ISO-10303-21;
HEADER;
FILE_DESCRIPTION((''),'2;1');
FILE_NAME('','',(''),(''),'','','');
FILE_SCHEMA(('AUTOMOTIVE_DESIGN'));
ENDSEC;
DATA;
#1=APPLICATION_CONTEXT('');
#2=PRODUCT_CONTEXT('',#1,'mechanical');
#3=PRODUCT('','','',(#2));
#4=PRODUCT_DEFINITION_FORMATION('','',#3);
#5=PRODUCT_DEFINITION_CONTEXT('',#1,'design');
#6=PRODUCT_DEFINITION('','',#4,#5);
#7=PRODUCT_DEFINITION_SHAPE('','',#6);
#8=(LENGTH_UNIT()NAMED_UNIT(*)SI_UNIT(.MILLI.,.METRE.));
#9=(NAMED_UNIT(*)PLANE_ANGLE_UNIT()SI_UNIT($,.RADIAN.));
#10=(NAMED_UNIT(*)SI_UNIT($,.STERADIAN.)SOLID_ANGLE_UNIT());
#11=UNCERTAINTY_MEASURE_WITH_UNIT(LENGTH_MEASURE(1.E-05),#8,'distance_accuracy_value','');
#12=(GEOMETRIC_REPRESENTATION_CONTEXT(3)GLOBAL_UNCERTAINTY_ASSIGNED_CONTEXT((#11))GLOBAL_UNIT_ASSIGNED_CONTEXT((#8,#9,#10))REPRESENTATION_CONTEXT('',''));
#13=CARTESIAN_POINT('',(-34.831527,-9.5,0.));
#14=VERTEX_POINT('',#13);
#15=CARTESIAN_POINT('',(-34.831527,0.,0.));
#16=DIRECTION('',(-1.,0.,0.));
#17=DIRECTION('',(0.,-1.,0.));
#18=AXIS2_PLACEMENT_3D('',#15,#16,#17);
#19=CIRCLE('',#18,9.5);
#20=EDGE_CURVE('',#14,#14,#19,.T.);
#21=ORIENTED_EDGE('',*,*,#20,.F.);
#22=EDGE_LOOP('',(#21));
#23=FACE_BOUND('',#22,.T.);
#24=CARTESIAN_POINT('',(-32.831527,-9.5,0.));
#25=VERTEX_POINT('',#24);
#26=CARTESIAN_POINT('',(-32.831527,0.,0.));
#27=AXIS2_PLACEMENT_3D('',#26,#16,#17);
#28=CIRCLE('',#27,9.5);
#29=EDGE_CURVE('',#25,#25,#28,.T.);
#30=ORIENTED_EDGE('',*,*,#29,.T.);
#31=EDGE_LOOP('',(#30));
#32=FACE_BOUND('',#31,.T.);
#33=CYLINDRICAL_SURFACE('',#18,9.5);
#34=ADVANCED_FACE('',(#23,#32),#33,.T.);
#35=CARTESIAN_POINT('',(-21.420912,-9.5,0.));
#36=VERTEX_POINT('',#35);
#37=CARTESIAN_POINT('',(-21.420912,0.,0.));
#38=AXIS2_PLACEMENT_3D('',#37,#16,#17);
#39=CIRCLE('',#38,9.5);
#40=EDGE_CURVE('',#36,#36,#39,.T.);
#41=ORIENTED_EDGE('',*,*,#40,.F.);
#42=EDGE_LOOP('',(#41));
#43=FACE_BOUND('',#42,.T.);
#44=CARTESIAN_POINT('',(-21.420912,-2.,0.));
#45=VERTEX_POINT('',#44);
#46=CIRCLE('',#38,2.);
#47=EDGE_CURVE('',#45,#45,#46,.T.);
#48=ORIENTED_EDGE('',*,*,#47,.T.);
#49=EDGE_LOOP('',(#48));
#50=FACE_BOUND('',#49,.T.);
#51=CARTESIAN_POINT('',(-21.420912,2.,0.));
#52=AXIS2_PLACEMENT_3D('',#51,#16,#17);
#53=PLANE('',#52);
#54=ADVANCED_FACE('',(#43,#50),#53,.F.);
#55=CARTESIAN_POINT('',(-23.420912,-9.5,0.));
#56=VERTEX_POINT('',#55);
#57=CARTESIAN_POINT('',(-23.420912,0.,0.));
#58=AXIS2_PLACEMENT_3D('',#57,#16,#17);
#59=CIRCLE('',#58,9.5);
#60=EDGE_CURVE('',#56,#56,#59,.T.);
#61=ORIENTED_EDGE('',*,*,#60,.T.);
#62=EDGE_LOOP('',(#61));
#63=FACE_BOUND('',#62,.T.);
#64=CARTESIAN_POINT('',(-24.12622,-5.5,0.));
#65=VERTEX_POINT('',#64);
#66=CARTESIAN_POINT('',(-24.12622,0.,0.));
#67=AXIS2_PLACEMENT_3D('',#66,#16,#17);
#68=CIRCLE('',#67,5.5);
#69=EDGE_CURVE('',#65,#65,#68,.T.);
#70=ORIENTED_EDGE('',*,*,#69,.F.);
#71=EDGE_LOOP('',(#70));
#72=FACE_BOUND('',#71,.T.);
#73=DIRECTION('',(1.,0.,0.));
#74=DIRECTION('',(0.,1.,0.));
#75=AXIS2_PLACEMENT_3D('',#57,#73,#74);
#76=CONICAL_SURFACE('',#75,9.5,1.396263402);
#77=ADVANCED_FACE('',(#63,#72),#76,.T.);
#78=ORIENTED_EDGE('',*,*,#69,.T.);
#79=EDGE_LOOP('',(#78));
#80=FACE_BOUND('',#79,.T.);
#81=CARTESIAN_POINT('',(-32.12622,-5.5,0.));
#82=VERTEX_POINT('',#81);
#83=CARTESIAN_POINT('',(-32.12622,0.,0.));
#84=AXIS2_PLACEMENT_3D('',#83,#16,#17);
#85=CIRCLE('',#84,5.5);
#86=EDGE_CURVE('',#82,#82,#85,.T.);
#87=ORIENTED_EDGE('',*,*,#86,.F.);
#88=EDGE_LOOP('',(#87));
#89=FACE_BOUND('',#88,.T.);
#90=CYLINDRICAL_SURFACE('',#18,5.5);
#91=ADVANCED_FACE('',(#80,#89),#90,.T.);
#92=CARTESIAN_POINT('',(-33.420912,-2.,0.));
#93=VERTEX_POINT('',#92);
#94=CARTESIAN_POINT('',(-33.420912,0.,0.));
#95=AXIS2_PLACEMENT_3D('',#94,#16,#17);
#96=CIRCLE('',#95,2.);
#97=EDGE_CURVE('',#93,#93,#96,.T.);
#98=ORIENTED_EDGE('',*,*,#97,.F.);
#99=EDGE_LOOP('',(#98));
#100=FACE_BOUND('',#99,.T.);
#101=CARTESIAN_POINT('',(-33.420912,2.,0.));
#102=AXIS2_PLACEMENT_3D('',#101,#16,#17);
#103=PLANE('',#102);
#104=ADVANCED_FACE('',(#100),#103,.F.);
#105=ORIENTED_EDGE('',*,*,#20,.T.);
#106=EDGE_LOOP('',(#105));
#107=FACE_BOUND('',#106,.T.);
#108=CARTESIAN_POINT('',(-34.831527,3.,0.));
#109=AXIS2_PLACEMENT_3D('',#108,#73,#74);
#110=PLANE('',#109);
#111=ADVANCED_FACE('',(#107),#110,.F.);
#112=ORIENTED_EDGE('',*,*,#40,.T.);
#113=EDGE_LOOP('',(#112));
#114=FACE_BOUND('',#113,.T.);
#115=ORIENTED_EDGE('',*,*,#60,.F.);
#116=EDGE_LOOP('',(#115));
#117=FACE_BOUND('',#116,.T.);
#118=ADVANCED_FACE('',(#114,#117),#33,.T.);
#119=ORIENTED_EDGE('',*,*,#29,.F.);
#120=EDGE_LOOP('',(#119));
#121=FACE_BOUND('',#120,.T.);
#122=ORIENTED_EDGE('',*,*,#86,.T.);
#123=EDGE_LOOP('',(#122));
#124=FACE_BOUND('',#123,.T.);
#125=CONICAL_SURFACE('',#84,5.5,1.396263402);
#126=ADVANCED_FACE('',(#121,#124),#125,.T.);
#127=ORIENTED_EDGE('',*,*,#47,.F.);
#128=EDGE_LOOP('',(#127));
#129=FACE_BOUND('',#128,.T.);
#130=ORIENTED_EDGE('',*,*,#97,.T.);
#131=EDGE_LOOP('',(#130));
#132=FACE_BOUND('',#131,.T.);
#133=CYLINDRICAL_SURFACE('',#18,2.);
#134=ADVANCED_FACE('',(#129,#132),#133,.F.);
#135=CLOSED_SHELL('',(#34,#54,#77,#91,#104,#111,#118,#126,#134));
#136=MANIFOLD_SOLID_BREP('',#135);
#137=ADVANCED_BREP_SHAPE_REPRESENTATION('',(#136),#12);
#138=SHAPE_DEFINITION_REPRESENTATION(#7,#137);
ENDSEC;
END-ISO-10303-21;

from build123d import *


with BuildPart() as part:
    # Sketch1 → Revolve1 (revolve)
    with BuildSketch(Plane.XY, mode=Mode.PRIVATE) as revolve1_sk:
        Polygon((-21.420911633, 2), (-21.420911633, 9.5), (-23.420911633, 9.5), (-24.126219556, 5.5), (-32.126219556, 5.5), (-32.831527478, 9.5), (-34.831527478, 9.5), (-34.831527478, 3), (-34.831527478, 0), (-33.420911633, 0), (-33.420911633, 2), align=None)
    revolve(revolve1_sk.sketch.rotate(Axis((-34.831527478, 0, 0), (1, 0, 0)), 180), axis=Axis((-34.831527478, 0, 0), (1, 0, 0)))


solid = part.part
